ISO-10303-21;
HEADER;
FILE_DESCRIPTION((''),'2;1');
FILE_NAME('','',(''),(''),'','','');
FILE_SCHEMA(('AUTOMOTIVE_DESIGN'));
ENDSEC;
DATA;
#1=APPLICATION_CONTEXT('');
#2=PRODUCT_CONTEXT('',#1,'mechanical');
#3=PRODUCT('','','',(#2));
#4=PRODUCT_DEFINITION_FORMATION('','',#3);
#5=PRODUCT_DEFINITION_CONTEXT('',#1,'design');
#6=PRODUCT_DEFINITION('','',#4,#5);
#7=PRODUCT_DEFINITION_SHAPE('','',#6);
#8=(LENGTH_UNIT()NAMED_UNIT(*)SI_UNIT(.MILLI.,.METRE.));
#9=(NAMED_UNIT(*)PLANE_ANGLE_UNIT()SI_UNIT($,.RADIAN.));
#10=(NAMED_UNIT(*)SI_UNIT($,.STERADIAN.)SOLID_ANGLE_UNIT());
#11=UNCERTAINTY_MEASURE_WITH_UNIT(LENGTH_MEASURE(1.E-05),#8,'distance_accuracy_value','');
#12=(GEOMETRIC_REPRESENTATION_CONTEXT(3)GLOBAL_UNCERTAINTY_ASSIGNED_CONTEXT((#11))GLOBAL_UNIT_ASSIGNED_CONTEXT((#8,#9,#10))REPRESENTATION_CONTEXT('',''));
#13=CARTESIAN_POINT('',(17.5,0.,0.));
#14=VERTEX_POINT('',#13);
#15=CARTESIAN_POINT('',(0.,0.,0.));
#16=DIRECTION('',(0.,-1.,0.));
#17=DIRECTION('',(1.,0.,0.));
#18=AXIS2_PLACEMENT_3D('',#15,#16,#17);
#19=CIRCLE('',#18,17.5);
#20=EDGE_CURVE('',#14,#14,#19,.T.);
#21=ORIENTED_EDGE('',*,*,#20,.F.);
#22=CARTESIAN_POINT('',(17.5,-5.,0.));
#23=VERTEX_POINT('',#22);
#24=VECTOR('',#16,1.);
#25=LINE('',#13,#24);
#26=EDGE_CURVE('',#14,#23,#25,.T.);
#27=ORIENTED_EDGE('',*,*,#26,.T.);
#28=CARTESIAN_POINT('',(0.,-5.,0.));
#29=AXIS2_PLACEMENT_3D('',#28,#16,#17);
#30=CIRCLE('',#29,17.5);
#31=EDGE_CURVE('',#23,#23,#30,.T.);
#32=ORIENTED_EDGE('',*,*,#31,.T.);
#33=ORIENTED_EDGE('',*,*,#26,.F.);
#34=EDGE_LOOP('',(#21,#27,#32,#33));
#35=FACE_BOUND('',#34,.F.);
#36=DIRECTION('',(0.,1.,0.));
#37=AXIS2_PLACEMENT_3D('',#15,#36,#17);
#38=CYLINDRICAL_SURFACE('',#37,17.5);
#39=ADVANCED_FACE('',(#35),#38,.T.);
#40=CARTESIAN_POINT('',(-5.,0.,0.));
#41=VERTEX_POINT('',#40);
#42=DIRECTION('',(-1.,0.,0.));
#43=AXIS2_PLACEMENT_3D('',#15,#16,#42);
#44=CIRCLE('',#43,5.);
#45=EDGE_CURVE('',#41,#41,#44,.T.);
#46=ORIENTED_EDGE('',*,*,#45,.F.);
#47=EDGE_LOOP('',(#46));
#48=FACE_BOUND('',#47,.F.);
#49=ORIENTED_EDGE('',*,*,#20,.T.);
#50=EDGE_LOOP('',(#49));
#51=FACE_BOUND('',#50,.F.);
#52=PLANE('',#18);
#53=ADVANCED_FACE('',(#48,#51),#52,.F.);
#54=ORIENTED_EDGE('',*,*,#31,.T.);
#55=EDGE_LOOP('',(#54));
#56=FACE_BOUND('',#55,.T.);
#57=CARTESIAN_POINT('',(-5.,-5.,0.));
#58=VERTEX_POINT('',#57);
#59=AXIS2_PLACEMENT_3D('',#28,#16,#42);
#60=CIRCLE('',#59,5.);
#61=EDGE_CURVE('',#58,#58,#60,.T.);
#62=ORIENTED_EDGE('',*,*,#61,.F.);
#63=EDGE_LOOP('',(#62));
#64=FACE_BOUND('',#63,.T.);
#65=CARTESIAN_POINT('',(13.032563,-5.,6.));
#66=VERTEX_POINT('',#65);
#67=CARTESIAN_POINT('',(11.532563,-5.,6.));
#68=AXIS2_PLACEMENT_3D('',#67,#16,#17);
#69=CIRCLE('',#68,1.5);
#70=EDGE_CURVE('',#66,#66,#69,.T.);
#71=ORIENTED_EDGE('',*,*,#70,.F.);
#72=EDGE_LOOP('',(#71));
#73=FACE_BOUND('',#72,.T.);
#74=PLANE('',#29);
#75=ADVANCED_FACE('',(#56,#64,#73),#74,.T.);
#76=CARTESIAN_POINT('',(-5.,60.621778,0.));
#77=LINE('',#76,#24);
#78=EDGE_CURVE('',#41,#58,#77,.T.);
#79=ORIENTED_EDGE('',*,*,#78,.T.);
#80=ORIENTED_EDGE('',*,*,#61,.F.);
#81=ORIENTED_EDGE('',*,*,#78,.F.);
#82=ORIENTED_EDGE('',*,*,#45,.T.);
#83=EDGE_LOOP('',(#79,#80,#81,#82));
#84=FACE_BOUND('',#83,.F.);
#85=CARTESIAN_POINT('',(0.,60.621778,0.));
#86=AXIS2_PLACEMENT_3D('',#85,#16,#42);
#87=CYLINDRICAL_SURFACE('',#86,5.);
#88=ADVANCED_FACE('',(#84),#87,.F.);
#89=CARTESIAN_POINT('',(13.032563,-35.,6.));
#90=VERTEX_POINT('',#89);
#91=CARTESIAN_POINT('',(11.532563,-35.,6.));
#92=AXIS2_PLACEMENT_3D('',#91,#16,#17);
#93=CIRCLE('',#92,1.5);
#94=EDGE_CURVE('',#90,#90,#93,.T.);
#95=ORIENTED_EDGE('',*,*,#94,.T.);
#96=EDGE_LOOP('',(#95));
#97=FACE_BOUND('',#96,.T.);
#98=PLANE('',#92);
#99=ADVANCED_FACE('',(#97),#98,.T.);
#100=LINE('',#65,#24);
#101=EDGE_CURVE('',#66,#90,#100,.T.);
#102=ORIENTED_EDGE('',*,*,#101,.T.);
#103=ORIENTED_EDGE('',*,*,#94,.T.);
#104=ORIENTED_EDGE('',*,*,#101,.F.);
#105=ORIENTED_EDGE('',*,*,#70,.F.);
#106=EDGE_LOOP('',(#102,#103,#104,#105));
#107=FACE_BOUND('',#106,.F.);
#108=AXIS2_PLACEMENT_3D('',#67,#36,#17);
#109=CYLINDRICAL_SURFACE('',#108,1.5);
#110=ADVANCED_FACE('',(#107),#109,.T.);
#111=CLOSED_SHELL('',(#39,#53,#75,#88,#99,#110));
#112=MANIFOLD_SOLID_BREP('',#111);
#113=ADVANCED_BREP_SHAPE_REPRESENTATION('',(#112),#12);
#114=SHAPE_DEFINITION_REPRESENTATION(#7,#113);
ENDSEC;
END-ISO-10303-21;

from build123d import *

# Parameters (mm, degrees)
F0_R     = 17.5
F1_DEPTH = 5
F2_R     = 1.5
F3_DEPTH = 30
F5_D     = 10


with BuildPart() as f1:
    # F0 (on Front) → F1 (new body)
    with BuildSketch(Plane.XZ):
        Circle(F0_R)
    extrude(amount=F1_DEPTH)

    # F2 (on face) → F3 (join)
    with BuildSketch(Plane.XZ.offset(5)):
        with Locations((11.532563, 6)):
            Circle(F2_R)
    extrude(amount=F3_DEPTH)

    # F5 (through all)
    with Locations(Plane(origin=(0, 0, 0), x_dir=(1, 0, 0), z_dir=(0, 1, 0))):
        with Locations((0, 0)):
            Hole(F5_D / 2)


solid = f1.part
